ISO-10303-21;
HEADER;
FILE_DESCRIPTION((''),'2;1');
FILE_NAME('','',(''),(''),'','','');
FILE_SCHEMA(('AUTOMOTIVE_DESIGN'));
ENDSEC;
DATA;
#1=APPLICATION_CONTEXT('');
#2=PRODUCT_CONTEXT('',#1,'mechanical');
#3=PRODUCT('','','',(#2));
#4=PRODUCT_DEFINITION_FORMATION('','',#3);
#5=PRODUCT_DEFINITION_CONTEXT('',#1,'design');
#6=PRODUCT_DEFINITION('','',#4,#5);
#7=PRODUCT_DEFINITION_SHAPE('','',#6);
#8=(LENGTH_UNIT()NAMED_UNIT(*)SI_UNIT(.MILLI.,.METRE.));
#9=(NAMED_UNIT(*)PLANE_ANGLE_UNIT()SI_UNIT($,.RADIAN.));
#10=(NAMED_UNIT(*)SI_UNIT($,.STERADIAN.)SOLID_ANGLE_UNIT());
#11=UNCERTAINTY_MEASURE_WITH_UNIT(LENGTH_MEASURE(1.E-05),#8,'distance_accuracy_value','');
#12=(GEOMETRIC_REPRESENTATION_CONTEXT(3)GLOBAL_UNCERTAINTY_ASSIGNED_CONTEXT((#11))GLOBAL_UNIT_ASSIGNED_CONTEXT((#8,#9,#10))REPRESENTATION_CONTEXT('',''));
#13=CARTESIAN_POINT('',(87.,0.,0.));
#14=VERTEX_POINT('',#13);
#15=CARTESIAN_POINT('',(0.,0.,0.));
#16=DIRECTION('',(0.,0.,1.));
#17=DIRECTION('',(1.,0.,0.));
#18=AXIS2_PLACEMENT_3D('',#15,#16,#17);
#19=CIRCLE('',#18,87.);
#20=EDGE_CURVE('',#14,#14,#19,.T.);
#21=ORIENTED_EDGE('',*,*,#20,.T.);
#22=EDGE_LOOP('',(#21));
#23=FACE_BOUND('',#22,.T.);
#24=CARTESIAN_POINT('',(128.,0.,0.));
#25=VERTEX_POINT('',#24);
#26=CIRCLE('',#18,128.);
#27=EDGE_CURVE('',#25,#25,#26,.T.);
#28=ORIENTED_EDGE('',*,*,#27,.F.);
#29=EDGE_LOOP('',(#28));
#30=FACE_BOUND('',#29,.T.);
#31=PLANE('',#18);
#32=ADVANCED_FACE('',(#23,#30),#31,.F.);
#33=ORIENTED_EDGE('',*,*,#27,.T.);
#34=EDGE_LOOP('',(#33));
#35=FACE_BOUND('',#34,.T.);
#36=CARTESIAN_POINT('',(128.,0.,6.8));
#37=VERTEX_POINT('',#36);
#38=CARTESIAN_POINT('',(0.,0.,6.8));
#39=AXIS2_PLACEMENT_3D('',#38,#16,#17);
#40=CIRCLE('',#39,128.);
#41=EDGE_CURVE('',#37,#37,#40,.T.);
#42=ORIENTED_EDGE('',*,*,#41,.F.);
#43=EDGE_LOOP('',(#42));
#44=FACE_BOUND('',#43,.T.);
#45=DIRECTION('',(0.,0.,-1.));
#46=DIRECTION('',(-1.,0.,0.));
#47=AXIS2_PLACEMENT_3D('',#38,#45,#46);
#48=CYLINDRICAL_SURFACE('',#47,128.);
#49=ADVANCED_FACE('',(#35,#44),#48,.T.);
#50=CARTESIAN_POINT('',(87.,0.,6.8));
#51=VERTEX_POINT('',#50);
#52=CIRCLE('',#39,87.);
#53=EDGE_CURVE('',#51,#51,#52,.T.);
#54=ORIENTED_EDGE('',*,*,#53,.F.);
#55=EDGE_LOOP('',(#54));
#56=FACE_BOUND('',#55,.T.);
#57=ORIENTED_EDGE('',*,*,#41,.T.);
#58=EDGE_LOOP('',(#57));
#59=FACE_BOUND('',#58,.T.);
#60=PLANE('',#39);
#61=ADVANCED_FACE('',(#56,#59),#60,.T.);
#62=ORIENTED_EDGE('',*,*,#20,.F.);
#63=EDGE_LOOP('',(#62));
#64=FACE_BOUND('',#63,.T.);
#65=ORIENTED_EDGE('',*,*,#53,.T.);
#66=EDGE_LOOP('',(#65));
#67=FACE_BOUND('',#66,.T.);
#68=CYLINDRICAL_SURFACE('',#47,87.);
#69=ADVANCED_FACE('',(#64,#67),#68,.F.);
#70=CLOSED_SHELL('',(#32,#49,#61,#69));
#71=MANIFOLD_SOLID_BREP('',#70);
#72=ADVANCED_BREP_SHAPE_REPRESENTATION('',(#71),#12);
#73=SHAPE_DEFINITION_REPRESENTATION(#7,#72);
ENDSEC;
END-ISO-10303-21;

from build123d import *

# Parameters (mm, degrees)
SKETCH1_R           = 128
SKETCH1_R_2         = 87
BOSS_EXTRUDE2_DEPTH = 6.8


with BuildPart() as part:
    # Sketch1 → Boss-Extrude2 (new body)
    with BuildSketch(Plane.XY):
        Circle(SKETCH1_R)
        Circle(SKETCH1_R_2, mode=Mode.SUBTRACT)
    extrude(amount=BOSS_EXTRUDE2_DEPTH)


solid = part.part
